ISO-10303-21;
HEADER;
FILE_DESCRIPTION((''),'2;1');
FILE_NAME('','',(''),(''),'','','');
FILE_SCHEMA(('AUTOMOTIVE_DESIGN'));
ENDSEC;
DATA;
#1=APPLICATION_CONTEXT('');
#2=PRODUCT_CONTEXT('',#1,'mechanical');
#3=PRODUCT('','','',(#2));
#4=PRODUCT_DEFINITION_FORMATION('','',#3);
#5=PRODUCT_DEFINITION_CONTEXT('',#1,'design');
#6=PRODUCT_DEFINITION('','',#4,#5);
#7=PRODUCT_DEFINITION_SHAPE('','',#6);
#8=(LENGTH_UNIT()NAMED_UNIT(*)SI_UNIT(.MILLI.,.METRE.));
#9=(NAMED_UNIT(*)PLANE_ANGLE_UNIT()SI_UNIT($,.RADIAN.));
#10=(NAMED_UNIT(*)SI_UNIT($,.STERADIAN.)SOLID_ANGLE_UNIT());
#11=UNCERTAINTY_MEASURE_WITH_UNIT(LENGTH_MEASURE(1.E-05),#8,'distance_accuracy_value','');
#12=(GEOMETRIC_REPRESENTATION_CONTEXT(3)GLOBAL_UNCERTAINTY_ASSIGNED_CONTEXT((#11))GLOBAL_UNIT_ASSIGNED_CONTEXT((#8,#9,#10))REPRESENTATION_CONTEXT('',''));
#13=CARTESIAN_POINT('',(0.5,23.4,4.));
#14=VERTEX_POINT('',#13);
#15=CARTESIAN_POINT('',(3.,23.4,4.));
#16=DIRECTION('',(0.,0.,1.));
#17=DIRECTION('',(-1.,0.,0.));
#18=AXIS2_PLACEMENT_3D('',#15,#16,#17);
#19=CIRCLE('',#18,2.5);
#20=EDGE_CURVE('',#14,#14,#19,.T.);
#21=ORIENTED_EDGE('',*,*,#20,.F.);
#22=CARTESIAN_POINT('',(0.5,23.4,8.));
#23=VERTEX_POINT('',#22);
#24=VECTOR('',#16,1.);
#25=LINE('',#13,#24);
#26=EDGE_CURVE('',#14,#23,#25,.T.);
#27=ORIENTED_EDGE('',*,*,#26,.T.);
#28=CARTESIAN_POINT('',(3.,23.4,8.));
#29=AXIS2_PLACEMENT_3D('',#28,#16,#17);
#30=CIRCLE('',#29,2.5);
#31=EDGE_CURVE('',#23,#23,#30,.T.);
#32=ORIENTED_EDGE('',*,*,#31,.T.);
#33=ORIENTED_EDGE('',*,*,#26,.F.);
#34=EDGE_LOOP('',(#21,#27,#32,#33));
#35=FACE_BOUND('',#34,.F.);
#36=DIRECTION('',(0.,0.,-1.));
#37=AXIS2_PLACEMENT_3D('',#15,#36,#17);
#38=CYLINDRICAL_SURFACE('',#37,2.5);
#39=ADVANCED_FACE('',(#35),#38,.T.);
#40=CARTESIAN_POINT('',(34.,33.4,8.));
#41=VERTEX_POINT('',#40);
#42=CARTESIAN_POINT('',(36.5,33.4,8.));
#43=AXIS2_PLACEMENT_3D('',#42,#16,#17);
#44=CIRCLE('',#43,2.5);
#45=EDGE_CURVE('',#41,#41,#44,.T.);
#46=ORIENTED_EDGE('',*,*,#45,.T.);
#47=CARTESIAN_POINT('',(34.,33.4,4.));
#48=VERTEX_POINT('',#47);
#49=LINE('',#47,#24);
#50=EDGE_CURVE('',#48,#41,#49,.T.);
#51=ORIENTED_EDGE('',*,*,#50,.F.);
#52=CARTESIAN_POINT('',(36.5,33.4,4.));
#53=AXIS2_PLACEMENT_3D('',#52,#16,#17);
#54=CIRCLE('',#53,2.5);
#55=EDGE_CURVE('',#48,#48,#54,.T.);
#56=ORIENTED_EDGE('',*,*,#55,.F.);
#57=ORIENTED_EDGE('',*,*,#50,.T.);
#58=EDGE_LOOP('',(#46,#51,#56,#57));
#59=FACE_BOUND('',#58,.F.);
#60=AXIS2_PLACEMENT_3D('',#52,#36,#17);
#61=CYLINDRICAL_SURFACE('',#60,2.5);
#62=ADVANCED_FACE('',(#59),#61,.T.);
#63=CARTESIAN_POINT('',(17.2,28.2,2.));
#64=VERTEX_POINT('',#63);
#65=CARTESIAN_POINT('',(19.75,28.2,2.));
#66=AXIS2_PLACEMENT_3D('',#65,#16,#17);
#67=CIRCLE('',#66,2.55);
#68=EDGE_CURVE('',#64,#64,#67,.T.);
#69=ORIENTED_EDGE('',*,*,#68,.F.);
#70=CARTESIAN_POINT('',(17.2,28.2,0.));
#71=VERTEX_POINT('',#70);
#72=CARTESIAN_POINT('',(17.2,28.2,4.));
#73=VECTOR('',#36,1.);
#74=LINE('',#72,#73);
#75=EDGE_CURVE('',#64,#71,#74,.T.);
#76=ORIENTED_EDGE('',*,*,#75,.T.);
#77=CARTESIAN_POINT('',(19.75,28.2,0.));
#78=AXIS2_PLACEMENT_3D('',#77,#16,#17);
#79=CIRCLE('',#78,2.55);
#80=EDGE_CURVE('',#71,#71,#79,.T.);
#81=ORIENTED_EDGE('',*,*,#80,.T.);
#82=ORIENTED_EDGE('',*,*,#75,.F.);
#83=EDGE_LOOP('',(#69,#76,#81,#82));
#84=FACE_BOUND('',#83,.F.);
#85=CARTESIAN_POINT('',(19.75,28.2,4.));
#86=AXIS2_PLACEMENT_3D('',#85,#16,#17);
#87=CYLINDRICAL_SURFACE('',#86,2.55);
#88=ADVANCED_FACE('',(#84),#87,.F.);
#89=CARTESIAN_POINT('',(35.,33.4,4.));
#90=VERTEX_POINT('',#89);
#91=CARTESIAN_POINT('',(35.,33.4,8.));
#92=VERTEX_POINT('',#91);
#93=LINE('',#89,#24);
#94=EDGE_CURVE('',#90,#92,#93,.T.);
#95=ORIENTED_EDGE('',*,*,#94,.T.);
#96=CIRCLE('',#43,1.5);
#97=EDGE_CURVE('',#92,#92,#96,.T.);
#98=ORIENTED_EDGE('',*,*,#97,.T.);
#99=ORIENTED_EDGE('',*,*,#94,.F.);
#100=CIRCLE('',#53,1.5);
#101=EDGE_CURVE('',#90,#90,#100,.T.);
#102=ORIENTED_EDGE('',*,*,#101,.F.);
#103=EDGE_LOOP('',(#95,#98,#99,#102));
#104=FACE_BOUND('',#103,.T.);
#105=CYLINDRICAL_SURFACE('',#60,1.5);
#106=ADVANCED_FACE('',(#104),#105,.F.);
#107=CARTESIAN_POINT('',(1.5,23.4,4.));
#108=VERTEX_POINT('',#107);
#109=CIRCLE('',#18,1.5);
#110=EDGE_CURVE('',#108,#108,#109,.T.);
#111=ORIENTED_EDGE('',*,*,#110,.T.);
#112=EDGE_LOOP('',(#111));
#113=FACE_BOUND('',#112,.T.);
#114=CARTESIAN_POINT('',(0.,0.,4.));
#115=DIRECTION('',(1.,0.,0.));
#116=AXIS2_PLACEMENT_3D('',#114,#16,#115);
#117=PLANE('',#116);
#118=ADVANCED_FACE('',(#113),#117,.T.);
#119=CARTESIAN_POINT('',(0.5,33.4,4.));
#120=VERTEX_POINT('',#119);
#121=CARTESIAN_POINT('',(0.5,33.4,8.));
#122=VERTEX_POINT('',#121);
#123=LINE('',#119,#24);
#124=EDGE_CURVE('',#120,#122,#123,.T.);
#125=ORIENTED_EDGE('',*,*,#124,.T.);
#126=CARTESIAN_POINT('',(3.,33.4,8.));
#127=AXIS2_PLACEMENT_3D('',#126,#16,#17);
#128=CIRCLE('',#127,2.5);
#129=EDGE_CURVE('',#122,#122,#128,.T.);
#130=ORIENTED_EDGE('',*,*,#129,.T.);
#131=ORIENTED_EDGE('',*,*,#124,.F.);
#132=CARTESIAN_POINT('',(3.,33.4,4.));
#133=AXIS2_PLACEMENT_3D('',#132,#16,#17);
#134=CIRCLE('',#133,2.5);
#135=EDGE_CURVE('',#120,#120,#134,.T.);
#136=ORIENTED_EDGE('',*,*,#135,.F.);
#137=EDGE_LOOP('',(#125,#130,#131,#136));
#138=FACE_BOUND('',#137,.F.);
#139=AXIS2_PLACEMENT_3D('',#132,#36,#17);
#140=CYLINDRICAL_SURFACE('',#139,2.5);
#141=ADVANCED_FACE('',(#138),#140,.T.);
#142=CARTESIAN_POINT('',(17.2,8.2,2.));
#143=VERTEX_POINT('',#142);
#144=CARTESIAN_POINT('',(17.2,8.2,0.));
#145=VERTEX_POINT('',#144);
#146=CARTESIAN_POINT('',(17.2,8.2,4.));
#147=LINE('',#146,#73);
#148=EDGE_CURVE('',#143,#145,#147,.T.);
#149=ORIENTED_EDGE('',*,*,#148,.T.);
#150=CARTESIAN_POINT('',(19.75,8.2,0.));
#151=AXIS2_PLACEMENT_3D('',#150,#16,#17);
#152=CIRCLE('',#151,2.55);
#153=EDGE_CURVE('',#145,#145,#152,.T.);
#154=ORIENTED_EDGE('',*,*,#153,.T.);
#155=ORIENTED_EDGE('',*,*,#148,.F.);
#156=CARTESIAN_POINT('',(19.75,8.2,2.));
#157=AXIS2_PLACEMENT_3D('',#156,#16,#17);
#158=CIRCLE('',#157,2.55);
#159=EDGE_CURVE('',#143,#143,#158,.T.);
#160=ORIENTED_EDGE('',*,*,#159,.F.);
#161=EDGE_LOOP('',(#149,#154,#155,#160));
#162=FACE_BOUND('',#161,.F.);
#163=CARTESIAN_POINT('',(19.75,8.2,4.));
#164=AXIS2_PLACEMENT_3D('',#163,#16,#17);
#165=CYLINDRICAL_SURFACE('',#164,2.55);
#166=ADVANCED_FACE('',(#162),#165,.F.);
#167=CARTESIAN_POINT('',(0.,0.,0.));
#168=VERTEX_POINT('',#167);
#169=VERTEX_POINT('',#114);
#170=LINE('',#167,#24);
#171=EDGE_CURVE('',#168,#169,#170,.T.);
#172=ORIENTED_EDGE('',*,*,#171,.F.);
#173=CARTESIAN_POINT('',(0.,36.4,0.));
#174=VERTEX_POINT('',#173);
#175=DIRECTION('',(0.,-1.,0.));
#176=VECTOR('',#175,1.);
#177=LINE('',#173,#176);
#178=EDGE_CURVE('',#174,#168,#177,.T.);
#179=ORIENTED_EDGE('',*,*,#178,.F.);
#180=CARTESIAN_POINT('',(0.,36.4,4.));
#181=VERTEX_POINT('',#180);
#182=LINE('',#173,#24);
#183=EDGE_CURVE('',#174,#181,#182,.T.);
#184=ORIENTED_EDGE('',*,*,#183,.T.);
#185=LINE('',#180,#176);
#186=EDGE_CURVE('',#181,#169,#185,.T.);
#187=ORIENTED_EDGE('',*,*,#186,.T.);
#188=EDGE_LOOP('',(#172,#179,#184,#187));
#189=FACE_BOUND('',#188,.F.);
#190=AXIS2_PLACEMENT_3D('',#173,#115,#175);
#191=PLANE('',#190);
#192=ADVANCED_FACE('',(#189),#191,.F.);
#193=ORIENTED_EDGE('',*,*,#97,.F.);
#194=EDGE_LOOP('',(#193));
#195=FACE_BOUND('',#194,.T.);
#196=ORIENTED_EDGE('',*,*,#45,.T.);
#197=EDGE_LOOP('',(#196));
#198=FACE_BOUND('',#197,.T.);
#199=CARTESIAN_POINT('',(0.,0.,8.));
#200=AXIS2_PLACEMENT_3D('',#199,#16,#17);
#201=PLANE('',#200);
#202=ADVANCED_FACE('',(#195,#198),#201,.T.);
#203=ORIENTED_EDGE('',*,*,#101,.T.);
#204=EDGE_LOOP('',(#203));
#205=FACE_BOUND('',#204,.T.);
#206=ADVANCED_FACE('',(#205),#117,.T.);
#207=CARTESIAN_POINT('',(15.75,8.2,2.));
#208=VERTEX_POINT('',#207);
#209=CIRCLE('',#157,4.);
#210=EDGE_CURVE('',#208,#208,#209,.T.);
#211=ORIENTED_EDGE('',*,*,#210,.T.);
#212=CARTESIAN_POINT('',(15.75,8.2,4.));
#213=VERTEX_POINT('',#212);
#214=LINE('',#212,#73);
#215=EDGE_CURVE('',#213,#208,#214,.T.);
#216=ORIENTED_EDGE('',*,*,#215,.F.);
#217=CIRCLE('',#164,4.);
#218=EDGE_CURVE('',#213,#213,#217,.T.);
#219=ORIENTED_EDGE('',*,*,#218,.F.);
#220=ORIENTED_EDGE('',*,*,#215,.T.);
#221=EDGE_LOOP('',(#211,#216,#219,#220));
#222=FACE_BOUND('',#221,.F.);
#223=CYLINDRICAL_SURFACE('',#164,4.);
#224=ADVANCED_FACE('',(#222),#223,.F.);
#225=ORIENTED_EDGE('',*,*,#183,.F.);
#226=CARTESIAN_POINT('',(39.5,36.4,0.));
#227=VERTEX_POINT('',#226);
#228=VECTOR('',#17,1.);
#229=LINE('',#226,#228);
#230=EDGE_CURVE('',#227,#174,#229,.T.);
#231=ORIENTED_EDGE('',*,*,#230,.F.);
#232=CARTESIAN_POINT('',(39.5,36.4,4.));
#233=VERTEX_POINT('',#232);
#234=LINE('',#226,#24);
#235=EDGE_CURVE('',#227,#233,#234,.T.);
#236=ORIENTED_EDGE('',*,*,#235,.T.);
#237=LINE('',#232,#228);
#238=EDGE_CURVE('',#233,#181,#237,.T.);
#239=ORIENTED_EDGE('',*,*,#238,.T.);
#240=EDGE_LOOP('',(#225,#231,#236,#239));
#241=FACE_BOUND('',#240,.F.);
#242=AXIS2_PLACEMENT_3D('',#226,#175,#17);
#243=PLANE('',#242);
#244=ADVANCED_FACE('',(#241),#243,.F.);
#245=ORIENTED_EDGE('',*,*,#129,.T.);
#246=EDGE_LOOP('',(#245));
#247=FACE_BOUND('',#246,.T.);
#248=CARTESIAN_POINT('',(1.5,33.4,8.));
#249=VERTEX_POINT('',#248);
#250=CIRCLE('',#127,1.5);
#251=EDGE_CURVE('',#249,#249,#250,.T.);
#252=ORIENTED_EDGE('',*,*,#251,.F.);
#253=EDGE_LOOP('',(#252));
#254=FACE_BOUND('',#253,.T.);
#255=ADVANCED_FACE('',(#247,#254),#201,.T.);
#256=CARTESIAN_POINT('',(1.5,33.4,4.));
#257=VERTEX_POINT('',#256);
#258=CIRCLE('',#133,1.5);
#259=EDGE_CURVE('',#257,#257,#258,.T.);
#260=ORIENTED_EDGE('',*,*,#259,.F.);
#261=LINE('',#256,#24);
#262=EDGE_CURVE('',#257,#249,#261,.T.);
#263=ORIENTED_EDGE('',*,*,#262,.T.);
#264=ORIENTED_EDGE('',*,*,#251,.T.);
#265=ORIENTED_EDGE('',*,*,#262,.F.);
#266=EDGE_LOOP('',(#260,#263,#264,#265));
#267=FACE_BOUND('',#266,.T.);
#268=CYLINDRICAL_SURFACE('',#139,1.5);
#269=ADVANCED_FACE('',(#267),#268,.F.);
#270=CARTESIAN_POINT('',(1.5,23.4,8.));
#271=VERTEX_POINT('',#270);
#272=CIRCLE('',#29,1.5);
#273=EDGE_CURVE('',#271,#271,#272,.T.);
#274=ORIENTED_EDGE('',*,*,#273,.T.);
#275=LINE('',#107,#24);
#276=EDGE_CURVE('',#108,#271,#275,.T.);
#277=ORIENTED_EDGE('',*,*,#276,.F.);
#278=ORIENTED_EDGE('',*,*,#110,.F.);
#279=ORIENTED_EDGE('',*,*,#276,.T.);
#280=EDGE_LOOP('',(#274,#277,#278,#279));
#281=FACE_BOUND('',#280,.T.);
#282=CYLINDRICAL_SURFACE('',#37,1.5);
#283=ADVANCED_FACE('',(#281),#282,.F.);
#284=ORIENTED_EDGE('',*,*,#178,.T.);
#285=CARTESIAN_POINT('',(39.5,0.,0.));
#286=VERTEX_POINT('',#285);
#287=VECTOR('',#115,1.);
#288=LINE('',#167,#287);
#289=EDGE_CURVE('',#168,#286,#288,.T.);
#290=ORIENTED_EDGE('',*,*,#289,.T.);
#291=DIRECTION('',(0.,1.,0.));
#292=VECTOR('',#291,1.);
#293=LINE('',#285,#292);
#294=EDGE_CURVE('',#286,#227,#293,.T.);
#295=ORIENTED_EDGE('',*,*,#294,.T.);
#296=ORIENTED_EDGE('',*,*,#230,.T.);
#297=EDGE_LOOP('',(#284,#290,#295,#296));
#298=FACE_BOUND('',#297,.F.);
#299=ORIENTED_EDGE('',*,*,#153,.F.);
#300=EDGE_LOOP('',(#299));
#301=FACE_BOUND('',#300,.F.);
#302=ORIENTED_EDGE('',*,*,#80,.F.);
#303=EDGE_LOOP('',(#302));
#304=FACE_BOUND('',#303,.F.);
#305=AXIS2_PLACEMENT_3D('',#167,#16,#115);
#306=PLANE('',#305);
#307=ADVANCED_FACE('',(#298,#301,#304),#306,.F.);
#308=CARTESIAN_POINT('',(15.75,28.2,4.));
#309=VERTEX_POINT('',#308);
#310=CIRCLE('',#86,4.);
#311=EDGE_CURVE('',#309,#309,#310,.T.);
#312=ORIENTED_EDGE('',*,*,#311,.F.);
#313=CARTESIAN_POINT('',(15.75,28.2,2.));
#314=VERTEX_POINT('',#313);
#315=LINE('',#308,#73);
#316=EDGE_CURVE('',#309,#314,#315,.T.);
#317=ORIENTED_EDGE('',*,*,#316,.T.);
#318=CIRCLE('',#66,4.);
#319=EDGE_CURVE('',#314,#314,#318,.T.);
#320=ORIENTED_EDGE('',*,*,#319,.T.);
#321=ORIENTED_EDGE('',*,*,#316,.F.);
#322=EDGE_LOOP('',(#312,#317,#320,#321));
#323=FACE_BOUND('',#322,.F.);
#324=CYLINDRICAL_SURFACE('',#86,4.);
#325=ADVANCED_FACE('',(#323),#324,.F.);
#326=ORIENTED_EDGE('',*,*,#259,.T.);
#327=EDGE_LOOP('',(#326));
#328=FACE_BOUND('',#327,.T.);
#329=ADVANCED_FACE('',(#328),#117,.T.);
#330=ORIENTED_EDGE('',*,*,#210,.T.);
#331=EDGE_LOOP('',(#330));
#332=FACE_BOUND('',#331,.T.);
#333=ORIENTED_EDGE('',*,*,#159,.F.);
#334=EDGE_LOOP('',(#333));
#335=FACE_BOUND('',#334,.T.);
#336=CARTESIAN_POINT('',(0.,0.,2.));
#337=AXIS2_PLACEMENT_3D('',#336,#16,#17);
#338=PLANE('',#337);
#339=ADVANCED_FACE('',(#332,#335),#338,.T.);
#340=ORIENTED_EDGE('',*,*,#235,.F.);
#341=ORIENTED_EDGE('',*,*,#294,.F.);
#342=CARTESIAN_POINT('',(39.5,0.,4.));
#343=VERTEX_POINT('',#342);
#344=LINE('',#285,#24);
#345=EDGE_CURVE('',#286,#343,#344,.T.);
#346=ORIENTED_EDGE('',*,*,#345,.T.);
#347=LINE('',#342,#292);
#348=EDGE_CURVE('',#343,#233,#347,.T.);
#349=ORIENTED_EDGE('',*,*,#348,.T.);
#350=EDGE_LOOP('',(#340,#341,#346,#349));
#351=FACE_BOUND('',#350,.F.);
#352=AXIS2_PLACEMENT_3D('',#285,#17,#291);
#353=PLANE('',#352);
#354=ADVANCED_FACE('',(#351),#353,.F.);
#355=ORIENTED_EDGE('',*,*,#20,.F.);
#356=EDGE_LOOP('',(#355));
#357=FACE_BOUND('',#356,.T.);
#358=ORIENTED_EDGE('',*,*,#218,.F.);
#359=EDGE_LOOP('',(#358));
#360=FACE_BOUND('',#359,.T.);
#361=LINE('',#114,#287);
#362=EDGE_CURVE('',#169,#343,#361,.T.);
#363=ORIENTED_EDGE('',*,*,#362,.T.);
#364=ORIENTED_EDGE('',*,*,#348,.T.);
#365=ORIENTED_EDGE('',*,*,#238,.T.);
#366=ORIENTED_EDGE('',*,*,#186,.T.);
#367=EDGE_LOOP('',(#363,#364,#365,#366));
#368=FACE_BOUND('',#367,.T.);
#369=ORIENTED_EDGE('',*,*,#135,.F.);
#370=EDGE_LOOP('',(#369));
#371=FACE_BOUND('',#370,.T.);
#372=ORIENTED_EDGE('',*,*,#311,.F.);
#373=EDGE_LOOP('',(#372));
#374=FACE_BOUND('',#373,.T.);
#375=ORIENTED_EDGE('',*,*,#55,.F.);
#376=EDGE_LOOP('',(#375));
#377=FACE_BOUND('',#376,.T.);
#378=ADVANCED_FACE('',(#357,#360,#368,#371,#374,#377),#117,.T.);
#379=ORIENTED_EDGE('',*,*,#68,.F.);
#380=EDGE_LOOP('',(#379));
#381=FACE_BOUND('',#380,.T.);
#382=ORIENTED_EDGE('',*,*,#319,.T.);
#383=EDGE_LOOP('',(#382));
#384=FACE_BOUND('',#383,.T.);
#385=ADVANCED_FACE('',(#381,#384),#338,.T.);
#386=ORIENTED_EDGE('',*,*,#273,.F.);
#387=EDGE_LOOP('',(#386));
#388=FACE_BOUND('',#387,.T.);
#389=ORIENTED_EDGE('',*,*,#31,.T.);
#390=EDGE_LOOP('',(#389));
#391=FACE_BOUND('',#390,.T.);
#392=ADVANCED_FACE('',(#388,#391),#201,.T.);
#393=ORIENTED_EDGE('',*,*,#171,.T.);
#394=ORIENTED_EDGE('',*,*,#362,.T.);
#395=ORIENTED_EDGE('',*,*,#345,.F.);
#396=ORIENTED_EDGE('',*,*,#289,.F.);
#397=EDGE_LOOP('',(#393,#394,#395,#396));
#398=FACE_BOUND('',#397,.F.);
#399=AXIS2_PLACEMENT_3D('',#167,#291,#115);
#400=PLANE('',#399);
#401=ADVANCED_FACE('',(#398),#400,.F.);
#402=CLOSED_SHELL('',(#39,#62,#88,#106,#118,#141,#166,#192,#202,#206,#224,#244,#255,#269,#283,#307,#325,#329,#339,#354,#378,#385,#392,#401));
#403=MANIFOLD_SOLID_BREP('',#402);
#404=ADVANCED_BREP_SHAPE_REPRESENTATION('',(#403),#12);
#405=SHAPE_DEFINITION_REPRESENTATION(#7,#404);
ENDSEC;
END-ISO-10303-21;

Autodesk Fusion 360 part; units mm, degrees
sketch "Schizzo1" plane through (0, 0, 0) normal (0, 0, 1) x (1, 0, 0)
  line L0 (0, 0) -> (39.5, 0)
  line L1 (39.5, 0) -> (39.5, 36.4)
  line L2 (39.5, 36.4) -> (0, 36.4)
  line L3 (0, 36.4) -> (0, 0)
  dimension "d1" = 39.5
  dimension "d2" = 36.4
extrude "Estrusione1" add sketch "Schizzo1" along normal blind 4
sketch "Schizzo2" plane through (0, 0, 4) normal (0, 0, 1) x (-1, 0, 0)
  line L0 (0, -36.4) -> (0, 0)
  line L1 (0, 0) -> (-39.5, 0)
  line L2 (-39.5, 0) -> (-39.5, -36.4)
  line L3 (-39.5, -36.4) -> (0, -36.4)
  circle A0 centre (-19.75, -8.2) radius 2.55
  circle A1 centre (-19.75, -28.2) radius 2.55
  circle A2 centre (-19.75, -8.2) radius 4
  circle A3 centre (-19.75, -28.2) radius 4
  dimension "d5" = 5.1
  dimension "d6" = 5.1
  dimension "d7" = 8.2
  dimension "d8" = 19.75
  dimension "d9" = 8.2
  dimension "d10" = 19.75
  dimension "d11" = 8
  dimension "d12" = 8
extrude "Estrusione2" cut sketch "Schizzo2" against normal up to surface (4 mm away) contours A0
extrude "Estrusione3" cut sketch "Schizzo2" against normal up to surface (4 mm away) contours A1
extrude "Estrusione4" cut sketch "Schizzo2" against normal blind 2 contours A2 | A3
sketch "Schizzo3" plane through (0, 0, 4) normal (0, 0, 1) x (-1, 0, 0)
  circle A0 centre (-19.75, -8.2) radius 4
  circle A1 centre (-19.75, -28.2) radius 4
  line L0 (0, -36.4) -> (0, 0)
  line L1 (0, 0) -> (-39.5, 0)
  line L2 (-39.5, 0) -> (-39.5, -36.4)
  line L3 (-39.5, -36.4) -> (0, -36.4)
  line L4 (-39.5, -36.4) -> (0, -36.4)
  line L5 (0, -36.4) -> (0, -19.4)
  line L6 (0, -19.4) -> (-39.5, -19.4)
  line L7 (-39.5, -19.4) -> (-39.5, -36.4)
  circle A2 centre (-3, -23.4) radius 1.5
  circle A3 centre (-3, -33.4) radius 1.5
  circle A4 centre (-36.5, -33.4) radius 1.5
  circle A5 centre (-36.5, -33.4) radius 2.5
  circle A6 centre (-3, -33.4) radius 2.5
  circle A7 centre (-3, -23.4) radius 2.5
  dimension "d19" = 39.5
  dimension "d20" = 17
  dimension "d21" = 3
  dimension "d22" = 13
  dimension "d23" = 3
  dimension "d24" = 3
  dimension "d25" = 3
  dimension "d26" = 3
  dimension "d27" = 3
  dimension "d28" = 3
  dimension "d29" = 3
  dimension "d30" = 5
  dimension "d31" = 5
  dimension "d32" = 5
extrude "Estrusione5" add sketch "Schizzo3" along normal blind 4 contours A5 | A6 | A7
